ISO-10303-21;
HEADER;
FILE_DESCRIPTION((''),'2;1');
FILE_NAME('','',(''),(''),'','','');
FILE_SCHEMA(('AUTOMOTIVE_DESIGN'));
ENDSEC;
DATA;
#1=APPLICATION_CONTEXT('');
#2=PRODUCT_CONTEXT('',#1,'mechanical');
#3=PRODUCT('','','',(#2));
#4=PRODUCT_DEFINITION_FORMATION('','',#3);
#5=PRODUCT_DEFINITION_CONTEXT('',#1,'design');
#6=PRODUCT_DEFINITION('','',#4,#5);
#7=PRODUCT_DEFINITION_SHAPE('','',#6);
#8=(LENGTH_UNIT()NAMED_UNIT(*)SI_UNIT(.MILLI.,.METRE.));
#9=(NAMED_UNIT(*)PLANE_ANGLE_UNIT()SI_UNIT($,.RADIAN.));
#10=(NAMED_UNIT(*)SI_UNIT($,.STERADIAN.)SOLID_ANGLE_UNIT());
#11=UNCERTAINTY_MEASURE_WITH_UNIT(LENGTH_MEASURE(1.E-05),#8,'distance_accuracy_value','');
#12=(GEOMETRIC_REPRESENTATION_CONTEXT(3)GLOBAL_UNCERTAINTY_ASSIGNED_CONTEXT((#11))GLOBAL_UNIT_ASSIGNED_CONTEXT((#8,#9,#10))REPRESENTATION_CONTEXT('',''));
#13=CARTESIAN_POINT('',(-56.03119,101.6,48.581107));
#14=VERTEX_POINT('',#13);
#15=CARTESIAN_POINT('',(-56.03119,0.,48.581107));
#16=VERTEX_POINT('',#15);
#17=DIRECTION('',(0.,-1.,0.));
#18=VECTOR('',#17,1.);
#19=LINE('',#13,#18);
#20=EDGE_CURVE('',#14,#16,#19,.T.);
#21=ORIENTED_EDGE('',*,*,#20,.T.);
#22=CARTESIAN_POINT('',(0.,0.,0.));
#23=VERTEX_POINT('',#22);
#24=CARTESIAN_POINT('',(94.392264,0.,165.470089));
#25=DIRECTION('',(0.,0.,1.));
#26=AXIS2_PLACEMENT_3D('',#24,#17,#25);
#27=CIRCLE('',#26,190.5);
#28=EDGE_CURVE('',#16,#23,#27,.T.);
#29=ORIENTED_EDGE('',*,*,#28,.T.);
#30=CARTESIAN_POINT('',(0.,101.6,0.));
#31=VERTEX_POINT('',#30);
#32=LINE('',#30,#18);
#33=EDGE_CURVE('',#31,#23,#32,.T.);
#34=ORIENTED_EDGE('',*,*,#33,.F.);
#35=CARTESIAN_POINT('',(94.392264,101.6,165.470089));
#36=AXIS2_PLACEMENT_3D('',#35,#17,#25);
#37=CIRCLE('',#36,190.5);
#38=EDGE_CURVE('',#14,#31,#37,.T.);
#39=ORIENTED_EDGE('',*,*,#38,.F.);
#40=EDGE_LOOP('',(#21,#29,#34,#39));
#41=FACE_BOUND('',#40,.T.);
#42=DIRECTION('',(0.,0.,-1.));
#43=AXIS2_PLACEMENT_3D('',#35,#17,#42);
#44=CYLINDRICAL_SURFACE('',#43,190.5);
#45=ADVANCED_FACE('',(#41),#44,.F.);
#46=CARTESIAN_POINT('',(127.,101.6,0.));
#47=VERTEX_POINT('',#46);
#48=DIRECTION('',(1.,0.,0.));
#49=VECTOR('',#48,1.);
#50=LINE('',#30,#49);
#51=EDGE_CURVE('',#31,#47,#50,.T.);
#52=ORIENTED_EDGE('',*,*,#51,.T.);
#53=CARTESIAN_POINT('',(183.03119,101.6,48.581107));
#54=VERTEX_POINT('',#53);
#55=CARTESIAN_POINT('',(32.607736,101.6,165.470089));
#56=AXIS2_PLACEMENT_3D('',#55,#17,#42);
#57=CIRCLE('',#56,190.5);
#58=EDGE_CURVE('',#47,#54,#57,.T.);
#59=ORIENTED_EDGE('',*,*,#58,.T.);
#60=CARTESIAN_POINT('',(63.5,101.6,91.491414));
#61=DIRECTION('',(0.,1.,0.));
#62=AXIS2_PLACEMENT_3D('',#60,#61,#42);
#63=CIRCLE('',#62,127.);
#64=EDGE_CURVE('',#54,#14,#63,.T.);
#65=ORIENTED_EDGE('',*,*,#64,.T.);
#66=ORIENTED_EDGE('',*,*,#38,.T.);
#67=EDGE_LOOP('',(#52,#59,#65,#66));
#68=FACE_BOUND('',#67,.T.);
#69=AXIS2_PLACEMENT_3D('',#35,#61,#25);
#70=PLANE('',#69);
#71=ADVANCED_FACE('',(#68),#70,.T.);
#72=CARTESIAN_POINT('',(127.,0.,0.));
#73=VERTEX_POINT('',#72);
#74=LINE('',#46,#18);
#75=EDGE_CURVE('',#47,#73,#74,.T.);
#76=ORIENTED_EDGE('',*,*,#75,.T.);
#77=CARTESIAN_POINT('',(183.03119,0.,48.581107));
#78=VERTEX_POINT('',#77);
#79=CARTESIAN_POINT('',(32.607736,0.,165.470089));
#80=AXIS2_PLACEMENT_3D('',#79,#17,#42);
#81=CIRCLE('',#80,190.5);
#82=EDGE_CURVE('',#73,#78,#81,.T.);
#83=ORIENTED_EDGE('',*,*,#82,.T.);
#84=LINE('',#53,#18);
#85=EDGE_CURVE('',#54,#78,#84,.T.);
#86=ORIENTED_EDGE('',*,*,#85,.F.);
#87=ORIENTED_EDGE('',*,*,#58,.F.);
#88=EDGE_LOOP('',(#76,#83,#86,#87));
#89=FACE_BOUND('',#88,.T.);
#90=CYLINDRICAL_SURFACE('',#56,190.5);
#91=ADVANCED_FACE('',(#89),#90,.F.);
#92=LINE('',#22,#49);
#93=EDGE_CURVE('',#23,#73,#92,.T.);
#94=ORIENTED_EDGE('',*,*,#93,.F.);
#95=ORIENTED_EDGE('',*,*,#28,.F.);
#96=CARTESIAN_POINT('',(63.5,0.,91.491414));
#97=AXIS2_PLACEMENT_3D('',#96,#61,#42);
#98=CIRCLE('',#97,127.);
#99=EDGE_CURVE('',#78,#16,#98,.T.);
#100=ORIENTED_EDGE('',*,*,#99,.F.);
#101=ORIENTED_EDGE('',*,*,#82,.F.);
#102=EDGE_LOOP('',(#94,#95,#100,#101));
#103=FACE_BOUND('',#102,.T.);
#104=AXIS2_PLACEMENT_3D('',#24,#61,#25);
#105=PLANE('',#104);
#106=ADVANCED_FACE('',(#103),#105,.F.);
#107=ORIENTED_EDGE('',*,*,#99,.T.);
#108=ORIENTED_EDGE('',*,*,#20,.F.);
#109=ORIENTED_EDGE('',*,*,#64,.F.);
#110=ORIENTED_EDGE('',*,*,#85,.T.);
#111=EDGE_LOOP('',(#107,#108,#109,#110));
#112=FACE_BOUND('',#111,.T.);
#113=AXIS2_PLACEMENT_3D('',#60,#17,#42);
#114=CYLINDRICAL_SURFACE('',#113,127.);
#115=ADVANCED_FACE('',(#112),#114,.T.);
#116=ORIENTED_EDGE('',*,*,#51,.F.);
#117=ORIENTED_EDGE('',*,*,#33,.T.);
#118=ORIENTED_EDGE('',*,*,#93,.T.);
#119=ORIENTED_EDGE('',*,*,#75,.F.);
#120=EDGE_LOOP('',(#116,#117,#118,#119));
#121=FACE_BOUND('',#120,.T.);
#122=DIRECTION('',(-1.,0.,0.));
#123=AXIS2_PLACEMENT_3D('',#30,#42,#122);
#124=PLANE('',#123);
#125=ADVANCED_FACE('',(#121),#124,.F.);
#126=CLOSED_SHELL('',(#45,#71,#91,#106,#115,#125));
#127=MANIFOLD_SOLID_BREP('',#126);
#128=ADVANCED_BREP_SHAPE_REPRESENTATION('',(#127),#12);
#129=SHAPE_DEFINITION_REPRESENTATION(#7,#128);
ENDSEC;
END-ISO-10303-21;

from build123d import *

# Parameters (mm, degrees)
BOSS_EXTRUDE7_DEPTH = 101.6


with BuildPart() as part:
    # Sketch5 → Boss-Extrude7 (new body)
    with BuildSketch(Plane(origin=(0, 0, 0), x_dir=(1, 0, 0), z_dir=(0, 1, 0))):
        with BuildLine():
            Line((0, 0), (127, 0))
            ThreePointArc((127, 0), (157.4024273, -21.53769215), (183.031190425, -48.581106681))
            ThreePointArc((183.031190425, -48.581106681), (63.5, 35.508585518), (-56.031190425, -48.581106681))
            ThreePointArc((-56.031190425, -48.581106681), (-30.4024273, -21.53769215), (0, 0))
        make_face()
    extrude(amount=BOSS_EXTRUDE7_DEPTH)


solid = part.part
